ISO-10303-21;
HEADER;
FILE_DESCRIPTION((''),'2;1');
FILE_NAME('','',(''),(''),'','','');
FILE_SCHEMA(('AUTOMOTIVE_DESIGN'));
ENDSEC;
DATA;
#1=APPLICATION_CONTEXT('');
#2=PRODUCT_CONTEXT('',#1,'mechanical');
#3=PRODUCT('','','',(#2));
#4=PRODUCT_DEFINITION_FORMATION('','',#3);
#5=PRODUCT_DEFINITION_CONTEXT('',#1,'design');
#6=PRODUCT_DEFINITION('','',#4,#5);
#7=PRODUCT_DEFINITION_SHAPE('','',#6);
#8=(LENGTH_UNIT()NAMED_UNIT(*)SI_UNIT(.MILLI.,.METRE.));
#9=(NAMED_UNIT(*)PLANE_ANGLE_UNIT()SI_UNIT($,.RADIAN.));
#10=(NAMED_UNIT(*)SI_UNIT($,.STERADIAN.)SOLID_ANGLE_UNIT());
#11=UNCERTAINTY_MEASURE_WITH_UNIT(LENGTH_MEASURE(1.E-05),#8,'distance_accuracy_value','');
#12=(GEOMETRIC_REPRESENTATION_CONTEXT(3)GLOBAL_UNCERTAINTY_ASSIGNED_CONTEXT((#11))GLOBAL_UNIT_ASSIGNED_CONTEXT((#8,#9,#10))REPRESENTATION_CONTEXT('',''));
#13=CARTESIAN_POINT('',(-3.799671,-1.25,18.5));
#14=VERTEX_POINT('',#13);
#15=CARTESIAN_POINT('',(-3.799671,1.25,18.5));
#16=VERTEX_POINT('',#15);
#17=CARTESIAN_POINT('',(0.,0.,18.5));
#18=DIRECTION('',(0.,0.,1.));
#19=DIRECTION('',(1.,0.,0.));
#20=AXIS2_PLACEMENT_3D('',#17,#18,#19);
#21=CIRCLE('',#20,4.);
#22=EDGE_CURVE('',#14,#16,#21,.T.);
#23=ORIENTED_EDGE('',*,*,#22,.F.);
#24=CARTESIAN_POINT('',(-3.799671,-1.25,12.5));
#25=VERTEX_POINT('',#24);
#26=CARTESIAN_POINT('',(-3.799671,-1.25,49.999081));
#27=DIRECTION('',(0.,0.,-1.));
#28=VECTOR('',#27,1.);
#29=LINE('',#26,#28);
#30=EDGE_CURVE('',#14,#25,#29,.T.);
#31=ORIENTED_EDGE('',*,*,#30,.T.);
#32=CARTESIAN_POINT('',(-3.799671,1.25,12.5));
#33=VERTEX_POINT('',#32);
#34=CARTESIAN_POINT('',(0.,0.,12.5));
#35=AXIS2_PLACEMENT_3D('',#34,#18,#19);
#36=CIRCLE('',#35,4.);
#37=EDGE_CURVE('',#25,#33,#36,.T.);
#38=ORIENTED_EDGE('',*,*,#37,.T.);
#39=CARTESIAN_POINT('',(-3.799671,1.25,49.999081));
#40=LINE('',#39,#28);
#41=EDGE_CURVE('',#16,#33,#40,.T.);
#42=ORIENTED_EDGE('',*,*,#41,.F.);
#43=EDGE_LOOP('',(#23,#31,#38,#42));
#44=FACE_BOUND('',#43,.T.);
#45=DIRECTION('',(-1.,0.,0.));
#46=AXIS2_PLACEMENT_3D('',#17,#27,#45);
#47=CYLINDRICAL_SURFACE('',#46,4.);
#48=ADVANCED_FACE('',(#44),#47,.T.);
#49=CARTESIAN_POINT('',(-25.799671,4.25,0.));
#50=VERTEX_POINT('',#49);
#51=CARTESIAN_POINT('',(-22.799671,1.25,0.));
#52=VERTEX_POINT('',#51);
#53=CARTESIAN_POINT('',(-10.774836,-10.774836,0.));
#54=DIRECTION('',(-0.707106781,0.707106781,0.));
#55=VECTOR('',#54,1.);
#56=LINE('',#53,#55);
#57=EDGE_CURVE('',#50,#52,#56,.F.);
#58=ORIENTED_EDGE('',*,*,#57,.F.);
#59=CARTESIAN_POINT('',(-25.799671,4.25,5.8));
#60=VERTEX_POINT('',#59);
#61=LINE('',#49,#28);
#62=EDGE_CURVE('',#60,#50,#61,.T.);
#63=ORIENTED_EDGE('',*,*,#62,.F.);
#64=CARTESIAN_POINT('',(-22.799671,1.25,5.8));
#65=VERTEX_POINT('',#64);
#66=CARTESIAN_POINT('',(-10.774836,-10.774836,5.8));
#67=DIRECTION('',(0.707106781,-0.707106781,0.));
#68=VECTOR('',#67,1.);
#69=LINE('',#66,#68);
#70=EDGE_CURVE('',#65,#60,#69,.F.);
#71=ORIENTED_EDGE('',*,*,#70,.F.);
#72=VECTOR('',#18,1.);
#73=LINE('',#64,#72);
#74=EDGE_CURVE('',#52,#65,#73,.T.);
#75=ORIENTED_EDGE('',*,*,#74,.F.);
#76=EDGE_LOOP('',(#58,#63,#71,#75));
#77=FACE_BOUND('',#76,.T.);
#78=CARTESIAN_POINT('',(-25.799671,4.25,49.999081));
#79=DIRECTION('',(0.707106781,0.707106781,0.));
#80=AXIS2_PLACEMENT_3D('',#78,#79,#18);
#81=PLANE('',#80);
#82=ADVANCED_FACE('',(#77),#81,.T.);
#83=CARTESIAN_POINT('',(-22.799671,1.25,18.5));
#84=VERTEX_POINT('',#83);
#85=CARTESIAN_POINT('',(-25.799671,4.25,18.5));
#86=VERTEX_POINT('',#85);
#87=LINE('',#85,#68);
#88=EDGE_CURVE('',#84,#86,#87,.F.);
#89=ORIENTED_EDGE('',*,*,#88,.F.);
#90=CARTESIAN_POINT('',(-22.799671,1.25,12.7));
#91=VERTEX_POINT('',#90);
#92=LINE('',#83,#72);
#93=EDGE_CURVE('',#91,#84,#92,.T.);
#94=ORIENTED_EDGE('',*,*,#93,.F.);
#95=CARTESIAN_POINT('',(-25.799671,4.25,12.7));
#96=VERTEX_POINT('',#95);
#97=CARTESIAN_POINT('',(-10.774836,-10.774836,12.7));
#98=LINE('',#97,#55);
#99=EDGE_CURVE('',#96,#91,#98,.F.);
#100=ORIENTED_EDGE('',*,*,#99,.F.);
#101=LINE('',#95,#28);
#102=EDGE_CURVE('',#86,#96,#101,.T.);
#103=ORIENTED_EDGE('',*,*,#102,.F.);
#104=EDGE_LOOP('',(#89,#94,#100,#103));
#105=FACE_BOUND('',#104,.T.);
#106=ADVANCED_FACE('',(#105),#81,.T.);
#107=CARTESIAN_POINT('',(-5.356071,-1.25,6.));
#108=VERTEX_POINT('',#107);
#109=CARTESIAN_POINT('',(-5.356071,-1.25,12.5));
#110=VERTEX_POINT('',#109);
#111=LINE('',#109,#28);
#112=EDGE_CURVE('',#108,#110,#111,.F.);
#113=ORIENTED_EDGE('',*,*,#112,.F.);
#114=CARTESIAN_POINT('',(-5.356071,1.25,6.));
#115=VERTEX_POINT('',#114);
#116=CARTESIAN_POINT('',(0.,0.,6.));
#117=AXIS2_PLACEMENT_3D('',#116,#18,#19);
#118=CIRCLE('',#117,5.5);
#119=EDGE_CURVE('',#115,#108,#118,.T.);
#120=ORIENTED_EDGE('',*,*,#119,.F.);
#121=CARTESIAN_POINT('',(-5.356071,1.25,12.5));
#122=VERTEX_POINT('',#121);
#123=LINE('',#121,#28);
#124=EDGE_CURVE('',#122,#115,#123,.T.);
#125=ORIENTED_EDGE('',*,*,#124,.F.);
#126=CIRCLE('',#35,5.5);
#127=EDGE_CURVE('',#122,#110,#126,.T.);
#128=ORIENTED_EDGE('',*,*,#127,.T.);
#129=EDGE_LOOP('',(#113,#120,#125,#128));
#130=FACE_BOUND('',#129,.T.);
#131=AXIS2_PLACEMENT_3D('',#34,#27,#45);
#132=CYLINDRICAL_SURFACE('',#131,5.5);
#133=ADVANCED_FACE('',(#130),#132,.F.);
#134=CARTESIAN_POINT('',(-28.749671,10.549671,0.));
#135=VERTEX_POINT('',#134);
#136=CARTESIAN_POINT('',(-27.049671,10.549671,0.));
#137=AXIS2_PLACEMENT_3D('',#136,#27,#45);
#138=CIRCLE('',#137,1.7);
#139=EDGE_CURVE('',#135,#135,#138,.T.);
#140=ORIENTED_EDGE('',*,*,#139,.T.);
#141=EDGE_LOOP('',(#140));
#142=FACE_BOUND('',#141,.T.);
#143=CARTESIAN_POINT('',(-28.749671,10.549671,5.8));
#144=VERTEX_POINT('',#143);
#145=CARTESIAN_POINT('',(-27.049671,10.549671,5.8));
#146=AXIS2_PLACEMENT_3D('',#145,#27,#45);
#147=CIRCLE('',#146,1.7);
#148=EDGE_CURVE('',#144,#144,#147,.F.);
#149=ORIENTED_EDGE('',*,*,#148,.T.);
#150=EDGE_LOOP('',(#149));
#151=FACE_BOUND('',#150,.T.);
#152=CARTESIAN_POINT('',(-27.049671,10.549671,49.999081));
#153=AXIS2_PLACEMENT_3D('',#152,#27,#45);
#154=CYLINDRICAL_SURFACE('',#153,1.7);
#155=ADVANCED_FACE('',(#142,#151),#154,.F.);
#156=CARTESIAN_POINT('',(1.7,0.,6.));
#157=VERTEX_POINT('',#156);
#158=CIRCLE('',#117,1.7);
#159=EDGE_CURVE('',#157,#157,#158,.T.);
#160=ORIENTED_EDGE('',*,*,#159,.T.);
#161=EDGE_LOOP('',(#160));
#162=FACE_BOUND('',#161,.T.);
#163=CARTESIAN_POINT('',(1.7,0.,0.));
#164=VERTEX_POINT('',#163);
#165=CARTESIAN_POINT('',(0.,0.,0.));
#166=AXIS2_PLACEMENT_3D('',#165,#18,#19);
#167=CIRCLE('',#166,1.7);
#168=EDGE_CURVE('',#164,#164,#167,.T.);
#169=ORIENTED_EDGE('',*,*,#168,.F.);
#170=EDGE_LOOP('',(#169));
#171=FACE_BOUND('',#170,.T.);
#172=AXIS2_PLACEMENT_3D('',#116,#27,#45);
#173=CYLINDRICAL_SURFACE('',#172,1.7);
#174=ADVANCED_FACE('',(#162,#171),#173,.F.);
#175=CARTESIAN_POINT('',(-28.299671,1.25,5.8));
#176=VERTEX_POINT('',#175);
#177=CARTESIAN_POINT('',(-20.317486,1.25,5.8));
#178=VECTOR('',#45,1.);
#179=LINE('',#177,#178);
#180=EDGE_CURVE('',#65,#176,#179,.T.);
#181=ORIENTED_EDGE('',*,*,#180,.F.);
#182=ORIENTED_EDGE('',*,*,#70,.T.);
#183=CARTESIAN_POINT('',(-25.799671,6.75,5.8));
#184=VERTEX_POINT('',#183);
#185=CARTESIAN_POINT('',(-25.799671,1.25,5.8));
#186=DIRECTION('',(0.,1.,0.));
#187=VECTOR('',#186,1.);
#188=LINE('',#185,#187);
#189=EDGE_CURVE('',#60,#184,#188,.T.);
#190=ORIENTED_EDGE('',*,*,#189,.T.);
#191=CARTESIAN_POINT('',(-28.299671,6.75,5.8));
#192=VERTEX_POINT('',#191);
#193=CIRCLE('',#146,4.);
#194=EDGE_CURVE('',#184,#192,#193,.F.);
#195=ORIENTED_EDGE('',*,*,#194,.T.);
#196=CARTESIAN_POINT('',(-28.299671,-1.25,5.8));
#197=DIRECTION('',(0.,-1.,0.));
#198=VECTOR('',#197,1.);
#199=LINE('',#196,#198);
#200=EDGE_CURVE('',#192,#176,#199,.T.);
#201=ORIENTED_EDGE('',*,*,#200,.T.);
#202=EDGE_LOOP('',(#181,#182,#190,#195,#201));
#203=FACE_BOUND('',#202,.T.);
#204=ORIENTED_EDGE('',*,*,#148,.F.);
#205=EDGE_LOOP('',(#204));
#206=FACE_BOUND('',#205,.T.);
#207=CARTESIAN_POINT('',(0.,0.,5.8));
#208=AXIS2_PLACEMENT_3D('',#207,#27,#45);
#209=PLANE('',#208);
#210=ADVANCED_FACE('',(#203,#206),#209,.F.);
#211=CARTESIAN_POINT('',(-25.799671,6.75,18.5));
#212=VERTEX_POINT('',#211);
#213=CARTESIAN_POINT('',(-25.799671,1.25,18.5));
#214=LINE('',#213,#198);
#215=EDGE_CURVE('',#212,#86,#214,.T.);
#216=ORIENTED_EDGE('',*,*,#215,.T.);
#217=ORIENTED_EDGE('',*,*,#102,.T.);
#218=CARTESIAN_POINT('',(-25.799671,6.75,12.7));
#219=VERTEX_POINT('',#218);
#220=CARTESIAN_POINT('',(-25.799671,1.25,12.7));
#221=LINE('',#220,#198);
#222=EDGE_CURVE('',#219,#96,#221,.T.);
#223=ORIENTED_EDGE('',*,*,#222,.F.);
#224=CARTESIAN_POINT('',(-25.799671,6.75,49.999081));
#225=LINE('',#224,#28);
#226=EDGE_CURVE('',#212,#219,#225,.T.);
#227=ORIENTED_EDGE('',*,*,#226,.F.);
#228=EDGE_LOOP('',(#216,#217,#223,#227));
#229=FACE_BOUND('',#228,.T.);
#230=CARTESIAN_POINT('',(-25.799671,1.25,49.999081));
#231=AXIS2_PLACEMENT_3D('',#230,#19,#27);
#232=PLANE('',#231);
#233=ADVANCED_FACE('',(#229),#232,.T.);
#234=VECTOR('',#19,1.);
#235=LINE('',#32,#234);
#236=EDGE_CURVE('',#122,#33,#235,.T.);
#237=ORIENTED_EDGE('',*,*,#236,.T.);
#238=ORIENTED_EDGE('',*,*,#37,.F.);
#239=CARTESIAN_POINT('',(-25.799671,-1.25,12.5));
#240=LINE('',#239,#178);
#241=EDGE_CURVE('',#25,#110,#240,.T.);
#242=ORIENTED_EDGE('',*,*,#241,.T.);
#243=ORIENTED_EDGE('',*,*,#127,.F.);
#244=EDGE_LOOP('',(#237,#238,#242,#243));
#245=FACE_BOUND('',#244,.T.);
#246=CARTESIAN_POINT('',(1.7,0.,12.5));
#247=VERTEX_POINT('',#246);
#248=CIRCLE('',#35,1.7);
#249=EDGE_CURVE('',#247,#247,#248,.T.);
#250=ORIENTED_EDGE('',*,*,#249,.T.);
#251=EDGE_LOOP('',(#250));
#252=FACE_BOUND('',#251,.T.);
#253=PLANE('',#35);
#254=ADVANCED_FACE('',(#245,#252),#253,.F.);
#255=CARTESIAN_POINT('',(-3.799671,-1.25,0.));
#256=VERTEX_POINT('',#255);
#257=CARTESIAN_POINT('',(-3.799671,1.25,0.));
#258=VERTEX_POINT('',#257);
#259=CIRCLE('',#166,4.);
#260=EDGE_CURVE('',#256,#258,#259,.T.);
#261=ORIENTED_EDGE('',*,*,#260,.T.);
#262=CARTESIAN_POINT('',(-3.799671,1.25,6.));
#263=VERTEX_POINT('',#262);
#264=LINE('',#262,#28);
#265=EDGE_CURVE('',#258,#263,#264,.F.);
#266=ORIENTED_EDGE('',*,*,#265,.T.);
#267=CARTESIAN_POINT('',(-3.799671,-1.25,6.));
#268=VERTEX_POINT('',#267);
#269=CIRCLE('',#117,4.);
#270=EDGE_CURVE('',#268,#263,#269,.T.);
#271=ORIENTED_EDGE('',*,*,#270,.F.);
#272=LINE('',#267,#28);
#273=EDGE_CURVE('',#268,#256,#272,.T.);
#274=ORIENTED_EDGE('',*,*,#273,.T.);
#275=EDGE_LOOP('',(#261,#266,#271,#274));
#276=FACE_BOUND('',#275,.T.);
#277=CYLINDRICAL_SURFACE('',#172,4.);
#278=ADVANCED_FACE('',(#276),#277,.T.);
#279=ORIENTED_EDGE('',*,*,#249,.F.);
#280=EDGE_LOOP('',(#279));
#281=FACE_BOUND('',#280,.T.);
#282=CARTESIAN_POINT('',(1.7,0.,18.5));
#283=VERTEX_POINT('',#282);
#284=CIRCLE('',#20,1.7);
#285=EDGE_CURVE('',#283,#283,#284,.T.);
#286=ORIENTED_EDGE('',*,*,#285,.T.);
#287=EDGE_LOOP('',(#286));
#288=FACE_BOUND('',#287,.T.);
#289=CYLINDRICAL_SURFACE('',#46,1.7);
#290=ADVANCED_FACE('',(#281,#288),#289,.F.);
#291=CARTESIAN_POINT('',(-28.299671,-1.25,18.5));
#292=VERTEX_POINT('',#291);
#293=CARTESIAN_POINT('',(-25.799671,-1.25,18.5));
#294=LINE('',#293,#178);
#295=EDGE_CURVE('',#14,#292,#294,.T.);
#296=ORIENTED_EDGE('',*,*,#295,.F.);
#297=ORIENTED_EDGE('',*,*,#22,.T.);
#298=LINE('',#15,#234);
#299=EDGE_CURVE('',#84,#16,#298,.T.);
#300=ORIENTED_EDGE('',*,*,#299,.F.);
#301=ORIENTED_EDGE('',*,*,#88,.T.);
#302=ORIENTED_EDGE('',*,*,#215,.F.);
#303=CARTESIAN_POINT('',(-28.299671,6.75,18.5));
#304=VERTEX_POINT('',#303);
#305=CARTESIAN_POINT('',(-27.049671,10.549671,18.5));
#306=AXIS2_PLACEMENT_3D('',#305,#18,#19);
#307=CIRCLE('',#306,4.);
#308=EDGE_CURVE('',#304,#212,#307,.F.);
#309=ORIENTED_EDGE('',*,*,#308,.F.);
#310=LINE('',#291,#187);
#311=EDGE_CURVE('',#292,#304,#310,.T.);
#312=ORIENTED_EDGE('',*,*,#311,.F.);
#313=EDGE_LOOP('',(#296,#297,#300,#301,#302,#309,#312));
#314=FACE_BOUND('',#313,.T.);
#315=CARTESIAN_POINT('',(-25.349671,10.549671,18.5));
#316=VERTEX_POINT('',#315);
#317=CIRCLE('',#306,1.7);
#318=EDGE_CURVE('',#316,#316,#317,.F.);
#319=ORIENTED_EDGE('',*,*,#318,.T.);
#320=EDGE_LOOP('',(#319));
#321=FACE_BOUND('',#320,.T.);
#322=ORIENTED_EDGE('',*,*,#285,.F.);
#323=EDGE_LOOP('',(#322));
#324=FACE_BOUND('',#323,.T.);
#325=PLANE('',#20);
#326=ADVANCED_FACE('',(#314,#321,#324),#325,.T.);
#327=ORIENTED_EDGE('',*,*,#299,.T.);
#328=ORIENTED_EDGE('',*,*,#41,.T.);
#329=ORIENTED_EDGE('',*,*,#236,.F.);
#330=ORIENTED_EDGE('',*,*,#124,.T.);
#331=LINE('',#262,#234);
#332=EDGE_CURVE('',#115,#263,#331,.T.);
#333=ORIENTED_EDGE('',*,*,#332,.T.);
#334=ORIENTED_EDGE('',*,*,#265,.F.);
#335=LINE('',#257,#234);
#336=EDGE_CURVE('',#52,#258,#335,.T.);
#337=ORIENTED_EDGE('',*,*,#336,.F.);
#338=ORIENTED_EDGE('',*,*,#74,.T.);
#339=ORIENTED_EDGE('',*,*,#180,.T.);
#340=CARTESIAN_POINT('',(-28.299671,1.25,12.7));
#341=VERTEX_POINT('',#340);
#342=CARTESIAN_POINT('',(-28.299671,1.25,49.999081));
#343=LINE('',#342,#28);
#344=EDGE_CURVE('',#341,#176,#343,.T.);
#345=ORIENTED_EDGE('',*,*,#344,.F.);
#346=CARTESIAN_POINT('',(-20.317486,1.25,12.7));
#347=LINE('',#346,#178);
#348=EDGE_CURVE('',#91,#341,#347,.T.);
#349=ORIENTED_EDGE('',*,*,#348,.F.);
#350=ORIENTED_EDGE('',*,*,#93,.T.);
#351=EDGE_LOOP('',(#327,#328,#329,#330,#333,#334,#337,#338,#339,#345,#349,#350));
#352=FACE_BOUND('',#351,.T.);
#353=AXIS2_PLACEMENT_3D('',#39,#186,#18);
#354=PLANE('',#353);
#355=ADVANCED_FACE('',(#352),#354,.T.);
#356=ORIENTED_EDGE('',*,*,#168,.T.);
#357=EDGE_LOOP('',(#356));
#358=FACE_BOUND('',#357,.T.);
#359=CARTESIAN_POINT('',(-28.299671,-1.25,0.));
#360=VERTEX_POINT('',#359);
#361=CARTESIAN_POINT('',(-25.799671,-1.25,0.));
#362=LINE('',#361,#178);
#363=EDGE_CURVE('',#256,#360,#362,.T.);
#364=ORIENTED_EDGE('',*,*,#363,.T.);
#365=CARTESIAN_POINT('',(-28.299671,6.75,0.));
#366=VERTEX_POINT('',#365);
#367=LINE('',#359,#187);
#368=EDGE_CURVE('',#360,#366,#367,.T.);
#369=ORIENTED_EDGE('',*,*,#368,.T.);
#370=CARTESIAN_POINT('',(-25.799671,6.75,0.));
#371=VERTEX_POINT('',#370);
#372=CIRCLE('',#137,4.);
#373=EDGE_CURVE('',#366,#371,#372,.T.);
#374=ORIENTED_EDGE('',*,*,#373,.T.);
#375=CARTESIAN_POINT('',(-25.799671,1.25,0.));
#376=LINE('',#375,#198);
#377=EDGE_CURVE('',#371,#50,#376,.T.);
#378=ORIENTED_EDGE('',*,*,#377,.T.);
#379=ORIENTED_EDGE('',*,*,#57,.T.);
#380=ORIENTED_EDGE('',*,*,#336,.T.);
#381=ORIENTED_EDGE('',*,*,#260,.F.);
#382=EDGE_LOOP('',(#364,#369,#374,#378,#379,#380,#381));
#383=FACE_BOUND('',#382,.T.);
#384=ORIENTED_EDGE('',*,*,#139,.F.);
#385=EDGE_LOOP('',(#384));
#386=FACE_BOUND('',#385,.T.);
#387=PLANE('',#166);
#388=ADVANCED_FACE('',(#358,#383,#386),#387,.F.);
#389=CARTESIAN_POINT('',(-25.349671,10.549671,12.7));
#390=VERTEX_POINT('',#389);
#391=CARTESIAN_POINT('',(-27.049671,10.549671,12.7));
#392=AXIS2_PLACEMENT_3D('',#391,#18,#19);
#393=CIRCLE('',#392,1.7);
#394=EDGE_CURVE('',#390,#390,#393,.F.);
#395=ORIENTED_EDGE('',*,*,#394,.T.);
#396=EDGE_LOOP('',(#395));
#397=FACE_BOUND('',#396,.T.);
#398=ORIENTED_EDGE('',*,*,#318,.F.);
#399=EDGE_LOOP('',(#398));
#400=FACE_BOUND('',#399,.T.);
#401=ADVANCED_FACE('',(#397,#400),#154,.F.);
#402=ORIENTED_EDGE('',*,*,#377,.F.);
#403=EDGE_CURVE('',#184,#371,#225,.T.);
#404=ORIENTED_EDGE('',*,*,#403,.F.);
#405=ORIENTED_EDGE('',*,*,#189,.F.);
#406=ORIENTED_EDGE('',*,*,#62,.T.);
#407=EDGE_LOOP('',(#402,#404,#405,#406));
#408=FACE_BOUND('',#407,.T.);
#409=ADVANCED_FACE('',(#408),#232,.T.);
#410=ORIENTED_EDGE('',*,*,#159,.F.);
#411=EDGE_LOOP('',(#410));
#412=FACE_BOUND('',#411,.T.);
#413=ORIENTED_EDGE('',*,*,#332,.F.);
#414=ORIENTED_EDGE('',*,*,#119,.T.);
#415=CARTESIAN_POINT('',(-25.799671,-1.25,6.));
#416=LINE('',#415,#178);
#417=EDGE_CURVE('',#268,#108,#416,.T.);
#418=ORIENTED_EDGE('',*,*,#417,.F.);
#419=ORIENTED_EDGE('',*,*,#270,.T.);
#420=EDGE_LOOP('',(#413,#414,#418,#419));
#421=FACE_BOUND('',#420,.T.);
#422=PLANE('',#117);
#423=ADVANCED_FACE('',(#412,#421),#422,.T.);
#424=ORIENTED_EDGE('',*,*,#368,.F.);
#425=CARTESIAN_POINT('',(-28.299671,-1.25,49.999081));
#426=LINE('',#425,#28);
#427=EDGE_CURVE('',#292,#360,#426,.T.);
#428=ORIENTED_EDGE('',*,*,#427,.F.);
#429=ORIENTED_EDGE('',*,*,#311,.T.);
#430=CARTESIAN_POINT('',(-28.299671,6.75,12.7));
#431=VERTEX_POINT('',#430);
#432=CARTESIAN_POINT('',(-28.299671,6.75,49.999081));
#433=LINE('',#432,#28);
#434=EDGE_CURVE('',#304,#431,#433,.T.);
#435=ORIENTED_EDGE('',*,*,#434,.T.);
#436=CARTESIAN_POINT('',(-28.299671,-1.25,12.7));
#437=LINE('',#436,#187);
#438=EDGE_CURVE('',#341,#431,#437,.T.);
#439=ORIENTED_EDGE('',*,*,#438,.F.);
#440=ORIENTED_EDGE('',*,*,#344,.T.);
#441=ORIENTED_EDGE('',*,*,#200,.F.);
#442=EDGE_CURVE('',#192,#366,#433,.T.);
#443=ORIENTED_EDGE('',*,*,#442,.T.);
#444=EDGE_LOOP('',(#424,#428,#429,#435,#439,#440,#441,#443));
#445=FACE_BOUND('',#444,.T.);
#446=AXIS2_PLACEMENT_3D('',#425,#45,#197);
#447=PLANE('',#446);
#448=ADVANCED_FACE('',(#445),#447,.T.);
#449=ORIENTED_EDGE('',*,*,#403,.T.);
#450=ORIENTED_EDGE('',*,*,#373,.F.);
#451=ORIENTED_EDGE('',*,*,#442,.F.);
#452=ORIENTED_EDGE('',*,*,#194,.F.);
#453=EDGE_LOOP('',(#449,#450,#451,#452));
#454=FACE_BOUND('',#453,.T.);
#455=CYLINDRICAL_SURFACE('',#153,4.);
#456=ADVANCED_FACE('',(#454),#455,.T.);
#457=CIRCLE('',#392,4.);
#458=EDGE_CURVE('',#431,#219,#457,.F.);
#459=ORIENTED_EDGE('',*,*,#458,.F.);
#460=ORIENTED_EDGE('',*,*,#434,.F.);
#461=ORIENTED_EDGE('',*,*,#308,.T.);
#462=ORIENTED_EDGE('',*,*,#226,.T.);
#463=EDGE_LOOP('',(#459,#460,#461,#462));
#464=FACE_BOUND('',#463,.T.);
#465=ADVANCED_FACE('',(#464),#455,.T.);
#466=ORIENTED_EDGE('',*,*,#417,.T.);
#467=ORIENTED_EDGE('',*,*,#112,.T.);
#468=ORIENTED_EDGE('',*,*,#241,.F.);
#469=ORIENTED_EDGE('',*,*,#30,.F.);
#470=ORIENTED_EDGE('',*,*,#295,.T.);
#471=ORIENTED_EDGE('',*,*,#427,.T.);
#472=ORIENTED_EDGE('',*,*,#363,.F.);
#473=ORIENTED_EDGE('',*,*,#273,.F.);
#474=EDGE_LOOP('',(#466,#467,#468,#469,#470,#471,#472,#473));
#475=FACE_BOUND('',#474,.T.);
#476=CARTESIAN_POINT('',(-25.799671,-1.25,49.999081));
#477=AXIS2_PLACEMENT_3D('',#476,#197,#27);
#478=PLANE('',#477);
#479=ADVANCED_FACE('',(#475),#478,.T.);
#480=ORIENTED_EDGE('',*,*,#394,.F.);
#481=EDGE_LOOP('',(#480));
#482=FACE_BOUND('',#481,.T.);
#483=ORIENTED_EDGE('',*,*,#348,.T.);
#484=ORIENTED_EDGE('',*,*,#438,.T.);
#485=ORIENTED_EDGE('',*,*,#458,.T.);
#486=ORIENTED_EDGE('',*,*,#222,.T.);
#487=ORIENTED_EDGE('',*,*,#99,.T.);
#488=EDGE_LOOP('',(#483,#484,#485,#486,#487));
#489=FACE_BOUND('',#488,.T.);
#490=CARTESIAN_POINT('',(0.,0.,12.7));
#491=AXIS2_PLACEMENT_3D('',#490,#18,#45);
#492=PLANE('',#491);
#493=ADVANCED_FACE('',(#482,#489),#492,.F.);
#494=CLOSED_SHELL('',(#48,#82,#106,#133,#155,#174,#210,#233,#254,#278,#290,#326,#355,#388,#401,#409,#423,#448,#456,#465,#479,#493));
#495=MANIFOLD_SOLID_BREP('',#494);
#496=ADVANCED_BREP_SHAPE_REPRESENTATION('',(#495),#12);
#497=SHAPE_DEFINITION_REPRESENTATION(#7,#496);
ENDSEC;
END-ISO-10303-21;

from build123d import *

# Parameters (mm, degrees)
SKETCH_2_R             = 4
SKETCH_2_R_2           = 1.7
EXTRUDE_1_DEPTH        = 6
PATTERN_LINEAR_1_COUNT = 2
PATTERN_LINEAR_1_PITCH = 12.5
SKETCH_3_R             = 1.7
EXTRUDE_2_DEPTH        = 18.5
SKETCH_4_R             = 5.5
CUT_EXTRUDE_1_DEPTH    = 6.5
SKETCH_9_W             = 14.956687691
SKETCH_9_H             = 17.867271405
CUT_EXTRUDE_3_DEPTH    = 3.45
CHAMFER_1_SIZE         = 3


with BuildPart() as part:
    # Эскиз2 → Бобышка-Вытянуть1 (new body)
    with BuildSketch(Plane.XY):
        Circle(SKETCH_2_R)
        Circle(SKETCH_2_R_2, mode=Mode.SUBTRACT)
    extrude(amount=EXTRUDE_1_DEPTH)


with BuildPart() as pattern_linear_1_1:
    # Линейный массив1: pattern copy
    add(part.part.moved(Location(Vector(0, 0, 1) * (1 * PATTERN_LINEAR_1_PITCH))))


with BuildPart() as part_1:
    add(part.part)

    add(pattern_linear_1_1.part)  # Бобышка-Вытянуть2 merges Линейный массив1_1
    # Эскиз3 → Бобышка-Вытянуть2 (add)
    with BuildSketch(Plane(origin=(0, 0, 0), x_dir=(-1, 0, 0), z_dir=(0, 0, -1))):
        with BuildLine():
            Line((3.799671038, 1.25), (25.799671038, 1.25))
            Line((25.799671038, 1.25), (25.799671038, 6.75))
            ThreePointArc((25.799671038, 6.75), (27.049671038, 14.549671038), (28.299671038, 6.75))
            Line((28.299671038, 6.75), (28.299671038, -1.25))
            Line((28.299671038, -1.25), (25.799671038, -1.25))
            Line((25.799671038, -1.25), (3.799671038, -1.25))
            Line((3.799671038, -1.25), (3.799671038, 1.25))
        make_face()
        with Locations((27.049671038, 10.549671038)):
            Circle(SKETCH_3_R, mode=Mode.SUBTRACT)
    extrude(amount=-EXTRUDE_2_DEPTH)

    # Эскиз4 → Вырез-Вытянуть1 (cut)
    with BuildSketch(Plane.XY.offset(6)):
        Circle(SKETCH_4_R)
    extrude(amount=CUT_EXTRUDE_1_DEPTH, mode=Mode.SUBTRACT)

    # Эскиз9 → Вырез-Вытянуть3 (cut)
    with BuildSketch(Plane(origin=(0, 0, 9.25), x_dir=(-1, 0, 0), z_dir=(0, 0, -1))):
        with Locations((27.795829792, 10.183635703)):
            Rectangle(SKETCH_9_W, SKETCH_9_H)
    cut_extrude_3 = extrude(amount=CUT_EXTRUDE_3_DEPTH, mode=Mode.SUBTRACT)

    # Зеркальное отражение1: Вырез-Вытянуть3 across plane
    add(cut_extrude_3.mirror(Plane(origin=(0, 0, 9.25), x_dir=(1, 0, 0), z_dir=(0, 0, -1))), mode=Mode.SUBTRACT)

    # Фаска1
    chamfer_1_edges = [part_1.edges().sort_by_distance(p)[0] for p in [
        (-25.799671038, 1.25, 15.6),
        (-25.799671038, 1.25, 2.9),
    ]]
    chamfer(chamfer_1_edges, length=CHAMFER_1_SIZE)


solid = part_1.part
